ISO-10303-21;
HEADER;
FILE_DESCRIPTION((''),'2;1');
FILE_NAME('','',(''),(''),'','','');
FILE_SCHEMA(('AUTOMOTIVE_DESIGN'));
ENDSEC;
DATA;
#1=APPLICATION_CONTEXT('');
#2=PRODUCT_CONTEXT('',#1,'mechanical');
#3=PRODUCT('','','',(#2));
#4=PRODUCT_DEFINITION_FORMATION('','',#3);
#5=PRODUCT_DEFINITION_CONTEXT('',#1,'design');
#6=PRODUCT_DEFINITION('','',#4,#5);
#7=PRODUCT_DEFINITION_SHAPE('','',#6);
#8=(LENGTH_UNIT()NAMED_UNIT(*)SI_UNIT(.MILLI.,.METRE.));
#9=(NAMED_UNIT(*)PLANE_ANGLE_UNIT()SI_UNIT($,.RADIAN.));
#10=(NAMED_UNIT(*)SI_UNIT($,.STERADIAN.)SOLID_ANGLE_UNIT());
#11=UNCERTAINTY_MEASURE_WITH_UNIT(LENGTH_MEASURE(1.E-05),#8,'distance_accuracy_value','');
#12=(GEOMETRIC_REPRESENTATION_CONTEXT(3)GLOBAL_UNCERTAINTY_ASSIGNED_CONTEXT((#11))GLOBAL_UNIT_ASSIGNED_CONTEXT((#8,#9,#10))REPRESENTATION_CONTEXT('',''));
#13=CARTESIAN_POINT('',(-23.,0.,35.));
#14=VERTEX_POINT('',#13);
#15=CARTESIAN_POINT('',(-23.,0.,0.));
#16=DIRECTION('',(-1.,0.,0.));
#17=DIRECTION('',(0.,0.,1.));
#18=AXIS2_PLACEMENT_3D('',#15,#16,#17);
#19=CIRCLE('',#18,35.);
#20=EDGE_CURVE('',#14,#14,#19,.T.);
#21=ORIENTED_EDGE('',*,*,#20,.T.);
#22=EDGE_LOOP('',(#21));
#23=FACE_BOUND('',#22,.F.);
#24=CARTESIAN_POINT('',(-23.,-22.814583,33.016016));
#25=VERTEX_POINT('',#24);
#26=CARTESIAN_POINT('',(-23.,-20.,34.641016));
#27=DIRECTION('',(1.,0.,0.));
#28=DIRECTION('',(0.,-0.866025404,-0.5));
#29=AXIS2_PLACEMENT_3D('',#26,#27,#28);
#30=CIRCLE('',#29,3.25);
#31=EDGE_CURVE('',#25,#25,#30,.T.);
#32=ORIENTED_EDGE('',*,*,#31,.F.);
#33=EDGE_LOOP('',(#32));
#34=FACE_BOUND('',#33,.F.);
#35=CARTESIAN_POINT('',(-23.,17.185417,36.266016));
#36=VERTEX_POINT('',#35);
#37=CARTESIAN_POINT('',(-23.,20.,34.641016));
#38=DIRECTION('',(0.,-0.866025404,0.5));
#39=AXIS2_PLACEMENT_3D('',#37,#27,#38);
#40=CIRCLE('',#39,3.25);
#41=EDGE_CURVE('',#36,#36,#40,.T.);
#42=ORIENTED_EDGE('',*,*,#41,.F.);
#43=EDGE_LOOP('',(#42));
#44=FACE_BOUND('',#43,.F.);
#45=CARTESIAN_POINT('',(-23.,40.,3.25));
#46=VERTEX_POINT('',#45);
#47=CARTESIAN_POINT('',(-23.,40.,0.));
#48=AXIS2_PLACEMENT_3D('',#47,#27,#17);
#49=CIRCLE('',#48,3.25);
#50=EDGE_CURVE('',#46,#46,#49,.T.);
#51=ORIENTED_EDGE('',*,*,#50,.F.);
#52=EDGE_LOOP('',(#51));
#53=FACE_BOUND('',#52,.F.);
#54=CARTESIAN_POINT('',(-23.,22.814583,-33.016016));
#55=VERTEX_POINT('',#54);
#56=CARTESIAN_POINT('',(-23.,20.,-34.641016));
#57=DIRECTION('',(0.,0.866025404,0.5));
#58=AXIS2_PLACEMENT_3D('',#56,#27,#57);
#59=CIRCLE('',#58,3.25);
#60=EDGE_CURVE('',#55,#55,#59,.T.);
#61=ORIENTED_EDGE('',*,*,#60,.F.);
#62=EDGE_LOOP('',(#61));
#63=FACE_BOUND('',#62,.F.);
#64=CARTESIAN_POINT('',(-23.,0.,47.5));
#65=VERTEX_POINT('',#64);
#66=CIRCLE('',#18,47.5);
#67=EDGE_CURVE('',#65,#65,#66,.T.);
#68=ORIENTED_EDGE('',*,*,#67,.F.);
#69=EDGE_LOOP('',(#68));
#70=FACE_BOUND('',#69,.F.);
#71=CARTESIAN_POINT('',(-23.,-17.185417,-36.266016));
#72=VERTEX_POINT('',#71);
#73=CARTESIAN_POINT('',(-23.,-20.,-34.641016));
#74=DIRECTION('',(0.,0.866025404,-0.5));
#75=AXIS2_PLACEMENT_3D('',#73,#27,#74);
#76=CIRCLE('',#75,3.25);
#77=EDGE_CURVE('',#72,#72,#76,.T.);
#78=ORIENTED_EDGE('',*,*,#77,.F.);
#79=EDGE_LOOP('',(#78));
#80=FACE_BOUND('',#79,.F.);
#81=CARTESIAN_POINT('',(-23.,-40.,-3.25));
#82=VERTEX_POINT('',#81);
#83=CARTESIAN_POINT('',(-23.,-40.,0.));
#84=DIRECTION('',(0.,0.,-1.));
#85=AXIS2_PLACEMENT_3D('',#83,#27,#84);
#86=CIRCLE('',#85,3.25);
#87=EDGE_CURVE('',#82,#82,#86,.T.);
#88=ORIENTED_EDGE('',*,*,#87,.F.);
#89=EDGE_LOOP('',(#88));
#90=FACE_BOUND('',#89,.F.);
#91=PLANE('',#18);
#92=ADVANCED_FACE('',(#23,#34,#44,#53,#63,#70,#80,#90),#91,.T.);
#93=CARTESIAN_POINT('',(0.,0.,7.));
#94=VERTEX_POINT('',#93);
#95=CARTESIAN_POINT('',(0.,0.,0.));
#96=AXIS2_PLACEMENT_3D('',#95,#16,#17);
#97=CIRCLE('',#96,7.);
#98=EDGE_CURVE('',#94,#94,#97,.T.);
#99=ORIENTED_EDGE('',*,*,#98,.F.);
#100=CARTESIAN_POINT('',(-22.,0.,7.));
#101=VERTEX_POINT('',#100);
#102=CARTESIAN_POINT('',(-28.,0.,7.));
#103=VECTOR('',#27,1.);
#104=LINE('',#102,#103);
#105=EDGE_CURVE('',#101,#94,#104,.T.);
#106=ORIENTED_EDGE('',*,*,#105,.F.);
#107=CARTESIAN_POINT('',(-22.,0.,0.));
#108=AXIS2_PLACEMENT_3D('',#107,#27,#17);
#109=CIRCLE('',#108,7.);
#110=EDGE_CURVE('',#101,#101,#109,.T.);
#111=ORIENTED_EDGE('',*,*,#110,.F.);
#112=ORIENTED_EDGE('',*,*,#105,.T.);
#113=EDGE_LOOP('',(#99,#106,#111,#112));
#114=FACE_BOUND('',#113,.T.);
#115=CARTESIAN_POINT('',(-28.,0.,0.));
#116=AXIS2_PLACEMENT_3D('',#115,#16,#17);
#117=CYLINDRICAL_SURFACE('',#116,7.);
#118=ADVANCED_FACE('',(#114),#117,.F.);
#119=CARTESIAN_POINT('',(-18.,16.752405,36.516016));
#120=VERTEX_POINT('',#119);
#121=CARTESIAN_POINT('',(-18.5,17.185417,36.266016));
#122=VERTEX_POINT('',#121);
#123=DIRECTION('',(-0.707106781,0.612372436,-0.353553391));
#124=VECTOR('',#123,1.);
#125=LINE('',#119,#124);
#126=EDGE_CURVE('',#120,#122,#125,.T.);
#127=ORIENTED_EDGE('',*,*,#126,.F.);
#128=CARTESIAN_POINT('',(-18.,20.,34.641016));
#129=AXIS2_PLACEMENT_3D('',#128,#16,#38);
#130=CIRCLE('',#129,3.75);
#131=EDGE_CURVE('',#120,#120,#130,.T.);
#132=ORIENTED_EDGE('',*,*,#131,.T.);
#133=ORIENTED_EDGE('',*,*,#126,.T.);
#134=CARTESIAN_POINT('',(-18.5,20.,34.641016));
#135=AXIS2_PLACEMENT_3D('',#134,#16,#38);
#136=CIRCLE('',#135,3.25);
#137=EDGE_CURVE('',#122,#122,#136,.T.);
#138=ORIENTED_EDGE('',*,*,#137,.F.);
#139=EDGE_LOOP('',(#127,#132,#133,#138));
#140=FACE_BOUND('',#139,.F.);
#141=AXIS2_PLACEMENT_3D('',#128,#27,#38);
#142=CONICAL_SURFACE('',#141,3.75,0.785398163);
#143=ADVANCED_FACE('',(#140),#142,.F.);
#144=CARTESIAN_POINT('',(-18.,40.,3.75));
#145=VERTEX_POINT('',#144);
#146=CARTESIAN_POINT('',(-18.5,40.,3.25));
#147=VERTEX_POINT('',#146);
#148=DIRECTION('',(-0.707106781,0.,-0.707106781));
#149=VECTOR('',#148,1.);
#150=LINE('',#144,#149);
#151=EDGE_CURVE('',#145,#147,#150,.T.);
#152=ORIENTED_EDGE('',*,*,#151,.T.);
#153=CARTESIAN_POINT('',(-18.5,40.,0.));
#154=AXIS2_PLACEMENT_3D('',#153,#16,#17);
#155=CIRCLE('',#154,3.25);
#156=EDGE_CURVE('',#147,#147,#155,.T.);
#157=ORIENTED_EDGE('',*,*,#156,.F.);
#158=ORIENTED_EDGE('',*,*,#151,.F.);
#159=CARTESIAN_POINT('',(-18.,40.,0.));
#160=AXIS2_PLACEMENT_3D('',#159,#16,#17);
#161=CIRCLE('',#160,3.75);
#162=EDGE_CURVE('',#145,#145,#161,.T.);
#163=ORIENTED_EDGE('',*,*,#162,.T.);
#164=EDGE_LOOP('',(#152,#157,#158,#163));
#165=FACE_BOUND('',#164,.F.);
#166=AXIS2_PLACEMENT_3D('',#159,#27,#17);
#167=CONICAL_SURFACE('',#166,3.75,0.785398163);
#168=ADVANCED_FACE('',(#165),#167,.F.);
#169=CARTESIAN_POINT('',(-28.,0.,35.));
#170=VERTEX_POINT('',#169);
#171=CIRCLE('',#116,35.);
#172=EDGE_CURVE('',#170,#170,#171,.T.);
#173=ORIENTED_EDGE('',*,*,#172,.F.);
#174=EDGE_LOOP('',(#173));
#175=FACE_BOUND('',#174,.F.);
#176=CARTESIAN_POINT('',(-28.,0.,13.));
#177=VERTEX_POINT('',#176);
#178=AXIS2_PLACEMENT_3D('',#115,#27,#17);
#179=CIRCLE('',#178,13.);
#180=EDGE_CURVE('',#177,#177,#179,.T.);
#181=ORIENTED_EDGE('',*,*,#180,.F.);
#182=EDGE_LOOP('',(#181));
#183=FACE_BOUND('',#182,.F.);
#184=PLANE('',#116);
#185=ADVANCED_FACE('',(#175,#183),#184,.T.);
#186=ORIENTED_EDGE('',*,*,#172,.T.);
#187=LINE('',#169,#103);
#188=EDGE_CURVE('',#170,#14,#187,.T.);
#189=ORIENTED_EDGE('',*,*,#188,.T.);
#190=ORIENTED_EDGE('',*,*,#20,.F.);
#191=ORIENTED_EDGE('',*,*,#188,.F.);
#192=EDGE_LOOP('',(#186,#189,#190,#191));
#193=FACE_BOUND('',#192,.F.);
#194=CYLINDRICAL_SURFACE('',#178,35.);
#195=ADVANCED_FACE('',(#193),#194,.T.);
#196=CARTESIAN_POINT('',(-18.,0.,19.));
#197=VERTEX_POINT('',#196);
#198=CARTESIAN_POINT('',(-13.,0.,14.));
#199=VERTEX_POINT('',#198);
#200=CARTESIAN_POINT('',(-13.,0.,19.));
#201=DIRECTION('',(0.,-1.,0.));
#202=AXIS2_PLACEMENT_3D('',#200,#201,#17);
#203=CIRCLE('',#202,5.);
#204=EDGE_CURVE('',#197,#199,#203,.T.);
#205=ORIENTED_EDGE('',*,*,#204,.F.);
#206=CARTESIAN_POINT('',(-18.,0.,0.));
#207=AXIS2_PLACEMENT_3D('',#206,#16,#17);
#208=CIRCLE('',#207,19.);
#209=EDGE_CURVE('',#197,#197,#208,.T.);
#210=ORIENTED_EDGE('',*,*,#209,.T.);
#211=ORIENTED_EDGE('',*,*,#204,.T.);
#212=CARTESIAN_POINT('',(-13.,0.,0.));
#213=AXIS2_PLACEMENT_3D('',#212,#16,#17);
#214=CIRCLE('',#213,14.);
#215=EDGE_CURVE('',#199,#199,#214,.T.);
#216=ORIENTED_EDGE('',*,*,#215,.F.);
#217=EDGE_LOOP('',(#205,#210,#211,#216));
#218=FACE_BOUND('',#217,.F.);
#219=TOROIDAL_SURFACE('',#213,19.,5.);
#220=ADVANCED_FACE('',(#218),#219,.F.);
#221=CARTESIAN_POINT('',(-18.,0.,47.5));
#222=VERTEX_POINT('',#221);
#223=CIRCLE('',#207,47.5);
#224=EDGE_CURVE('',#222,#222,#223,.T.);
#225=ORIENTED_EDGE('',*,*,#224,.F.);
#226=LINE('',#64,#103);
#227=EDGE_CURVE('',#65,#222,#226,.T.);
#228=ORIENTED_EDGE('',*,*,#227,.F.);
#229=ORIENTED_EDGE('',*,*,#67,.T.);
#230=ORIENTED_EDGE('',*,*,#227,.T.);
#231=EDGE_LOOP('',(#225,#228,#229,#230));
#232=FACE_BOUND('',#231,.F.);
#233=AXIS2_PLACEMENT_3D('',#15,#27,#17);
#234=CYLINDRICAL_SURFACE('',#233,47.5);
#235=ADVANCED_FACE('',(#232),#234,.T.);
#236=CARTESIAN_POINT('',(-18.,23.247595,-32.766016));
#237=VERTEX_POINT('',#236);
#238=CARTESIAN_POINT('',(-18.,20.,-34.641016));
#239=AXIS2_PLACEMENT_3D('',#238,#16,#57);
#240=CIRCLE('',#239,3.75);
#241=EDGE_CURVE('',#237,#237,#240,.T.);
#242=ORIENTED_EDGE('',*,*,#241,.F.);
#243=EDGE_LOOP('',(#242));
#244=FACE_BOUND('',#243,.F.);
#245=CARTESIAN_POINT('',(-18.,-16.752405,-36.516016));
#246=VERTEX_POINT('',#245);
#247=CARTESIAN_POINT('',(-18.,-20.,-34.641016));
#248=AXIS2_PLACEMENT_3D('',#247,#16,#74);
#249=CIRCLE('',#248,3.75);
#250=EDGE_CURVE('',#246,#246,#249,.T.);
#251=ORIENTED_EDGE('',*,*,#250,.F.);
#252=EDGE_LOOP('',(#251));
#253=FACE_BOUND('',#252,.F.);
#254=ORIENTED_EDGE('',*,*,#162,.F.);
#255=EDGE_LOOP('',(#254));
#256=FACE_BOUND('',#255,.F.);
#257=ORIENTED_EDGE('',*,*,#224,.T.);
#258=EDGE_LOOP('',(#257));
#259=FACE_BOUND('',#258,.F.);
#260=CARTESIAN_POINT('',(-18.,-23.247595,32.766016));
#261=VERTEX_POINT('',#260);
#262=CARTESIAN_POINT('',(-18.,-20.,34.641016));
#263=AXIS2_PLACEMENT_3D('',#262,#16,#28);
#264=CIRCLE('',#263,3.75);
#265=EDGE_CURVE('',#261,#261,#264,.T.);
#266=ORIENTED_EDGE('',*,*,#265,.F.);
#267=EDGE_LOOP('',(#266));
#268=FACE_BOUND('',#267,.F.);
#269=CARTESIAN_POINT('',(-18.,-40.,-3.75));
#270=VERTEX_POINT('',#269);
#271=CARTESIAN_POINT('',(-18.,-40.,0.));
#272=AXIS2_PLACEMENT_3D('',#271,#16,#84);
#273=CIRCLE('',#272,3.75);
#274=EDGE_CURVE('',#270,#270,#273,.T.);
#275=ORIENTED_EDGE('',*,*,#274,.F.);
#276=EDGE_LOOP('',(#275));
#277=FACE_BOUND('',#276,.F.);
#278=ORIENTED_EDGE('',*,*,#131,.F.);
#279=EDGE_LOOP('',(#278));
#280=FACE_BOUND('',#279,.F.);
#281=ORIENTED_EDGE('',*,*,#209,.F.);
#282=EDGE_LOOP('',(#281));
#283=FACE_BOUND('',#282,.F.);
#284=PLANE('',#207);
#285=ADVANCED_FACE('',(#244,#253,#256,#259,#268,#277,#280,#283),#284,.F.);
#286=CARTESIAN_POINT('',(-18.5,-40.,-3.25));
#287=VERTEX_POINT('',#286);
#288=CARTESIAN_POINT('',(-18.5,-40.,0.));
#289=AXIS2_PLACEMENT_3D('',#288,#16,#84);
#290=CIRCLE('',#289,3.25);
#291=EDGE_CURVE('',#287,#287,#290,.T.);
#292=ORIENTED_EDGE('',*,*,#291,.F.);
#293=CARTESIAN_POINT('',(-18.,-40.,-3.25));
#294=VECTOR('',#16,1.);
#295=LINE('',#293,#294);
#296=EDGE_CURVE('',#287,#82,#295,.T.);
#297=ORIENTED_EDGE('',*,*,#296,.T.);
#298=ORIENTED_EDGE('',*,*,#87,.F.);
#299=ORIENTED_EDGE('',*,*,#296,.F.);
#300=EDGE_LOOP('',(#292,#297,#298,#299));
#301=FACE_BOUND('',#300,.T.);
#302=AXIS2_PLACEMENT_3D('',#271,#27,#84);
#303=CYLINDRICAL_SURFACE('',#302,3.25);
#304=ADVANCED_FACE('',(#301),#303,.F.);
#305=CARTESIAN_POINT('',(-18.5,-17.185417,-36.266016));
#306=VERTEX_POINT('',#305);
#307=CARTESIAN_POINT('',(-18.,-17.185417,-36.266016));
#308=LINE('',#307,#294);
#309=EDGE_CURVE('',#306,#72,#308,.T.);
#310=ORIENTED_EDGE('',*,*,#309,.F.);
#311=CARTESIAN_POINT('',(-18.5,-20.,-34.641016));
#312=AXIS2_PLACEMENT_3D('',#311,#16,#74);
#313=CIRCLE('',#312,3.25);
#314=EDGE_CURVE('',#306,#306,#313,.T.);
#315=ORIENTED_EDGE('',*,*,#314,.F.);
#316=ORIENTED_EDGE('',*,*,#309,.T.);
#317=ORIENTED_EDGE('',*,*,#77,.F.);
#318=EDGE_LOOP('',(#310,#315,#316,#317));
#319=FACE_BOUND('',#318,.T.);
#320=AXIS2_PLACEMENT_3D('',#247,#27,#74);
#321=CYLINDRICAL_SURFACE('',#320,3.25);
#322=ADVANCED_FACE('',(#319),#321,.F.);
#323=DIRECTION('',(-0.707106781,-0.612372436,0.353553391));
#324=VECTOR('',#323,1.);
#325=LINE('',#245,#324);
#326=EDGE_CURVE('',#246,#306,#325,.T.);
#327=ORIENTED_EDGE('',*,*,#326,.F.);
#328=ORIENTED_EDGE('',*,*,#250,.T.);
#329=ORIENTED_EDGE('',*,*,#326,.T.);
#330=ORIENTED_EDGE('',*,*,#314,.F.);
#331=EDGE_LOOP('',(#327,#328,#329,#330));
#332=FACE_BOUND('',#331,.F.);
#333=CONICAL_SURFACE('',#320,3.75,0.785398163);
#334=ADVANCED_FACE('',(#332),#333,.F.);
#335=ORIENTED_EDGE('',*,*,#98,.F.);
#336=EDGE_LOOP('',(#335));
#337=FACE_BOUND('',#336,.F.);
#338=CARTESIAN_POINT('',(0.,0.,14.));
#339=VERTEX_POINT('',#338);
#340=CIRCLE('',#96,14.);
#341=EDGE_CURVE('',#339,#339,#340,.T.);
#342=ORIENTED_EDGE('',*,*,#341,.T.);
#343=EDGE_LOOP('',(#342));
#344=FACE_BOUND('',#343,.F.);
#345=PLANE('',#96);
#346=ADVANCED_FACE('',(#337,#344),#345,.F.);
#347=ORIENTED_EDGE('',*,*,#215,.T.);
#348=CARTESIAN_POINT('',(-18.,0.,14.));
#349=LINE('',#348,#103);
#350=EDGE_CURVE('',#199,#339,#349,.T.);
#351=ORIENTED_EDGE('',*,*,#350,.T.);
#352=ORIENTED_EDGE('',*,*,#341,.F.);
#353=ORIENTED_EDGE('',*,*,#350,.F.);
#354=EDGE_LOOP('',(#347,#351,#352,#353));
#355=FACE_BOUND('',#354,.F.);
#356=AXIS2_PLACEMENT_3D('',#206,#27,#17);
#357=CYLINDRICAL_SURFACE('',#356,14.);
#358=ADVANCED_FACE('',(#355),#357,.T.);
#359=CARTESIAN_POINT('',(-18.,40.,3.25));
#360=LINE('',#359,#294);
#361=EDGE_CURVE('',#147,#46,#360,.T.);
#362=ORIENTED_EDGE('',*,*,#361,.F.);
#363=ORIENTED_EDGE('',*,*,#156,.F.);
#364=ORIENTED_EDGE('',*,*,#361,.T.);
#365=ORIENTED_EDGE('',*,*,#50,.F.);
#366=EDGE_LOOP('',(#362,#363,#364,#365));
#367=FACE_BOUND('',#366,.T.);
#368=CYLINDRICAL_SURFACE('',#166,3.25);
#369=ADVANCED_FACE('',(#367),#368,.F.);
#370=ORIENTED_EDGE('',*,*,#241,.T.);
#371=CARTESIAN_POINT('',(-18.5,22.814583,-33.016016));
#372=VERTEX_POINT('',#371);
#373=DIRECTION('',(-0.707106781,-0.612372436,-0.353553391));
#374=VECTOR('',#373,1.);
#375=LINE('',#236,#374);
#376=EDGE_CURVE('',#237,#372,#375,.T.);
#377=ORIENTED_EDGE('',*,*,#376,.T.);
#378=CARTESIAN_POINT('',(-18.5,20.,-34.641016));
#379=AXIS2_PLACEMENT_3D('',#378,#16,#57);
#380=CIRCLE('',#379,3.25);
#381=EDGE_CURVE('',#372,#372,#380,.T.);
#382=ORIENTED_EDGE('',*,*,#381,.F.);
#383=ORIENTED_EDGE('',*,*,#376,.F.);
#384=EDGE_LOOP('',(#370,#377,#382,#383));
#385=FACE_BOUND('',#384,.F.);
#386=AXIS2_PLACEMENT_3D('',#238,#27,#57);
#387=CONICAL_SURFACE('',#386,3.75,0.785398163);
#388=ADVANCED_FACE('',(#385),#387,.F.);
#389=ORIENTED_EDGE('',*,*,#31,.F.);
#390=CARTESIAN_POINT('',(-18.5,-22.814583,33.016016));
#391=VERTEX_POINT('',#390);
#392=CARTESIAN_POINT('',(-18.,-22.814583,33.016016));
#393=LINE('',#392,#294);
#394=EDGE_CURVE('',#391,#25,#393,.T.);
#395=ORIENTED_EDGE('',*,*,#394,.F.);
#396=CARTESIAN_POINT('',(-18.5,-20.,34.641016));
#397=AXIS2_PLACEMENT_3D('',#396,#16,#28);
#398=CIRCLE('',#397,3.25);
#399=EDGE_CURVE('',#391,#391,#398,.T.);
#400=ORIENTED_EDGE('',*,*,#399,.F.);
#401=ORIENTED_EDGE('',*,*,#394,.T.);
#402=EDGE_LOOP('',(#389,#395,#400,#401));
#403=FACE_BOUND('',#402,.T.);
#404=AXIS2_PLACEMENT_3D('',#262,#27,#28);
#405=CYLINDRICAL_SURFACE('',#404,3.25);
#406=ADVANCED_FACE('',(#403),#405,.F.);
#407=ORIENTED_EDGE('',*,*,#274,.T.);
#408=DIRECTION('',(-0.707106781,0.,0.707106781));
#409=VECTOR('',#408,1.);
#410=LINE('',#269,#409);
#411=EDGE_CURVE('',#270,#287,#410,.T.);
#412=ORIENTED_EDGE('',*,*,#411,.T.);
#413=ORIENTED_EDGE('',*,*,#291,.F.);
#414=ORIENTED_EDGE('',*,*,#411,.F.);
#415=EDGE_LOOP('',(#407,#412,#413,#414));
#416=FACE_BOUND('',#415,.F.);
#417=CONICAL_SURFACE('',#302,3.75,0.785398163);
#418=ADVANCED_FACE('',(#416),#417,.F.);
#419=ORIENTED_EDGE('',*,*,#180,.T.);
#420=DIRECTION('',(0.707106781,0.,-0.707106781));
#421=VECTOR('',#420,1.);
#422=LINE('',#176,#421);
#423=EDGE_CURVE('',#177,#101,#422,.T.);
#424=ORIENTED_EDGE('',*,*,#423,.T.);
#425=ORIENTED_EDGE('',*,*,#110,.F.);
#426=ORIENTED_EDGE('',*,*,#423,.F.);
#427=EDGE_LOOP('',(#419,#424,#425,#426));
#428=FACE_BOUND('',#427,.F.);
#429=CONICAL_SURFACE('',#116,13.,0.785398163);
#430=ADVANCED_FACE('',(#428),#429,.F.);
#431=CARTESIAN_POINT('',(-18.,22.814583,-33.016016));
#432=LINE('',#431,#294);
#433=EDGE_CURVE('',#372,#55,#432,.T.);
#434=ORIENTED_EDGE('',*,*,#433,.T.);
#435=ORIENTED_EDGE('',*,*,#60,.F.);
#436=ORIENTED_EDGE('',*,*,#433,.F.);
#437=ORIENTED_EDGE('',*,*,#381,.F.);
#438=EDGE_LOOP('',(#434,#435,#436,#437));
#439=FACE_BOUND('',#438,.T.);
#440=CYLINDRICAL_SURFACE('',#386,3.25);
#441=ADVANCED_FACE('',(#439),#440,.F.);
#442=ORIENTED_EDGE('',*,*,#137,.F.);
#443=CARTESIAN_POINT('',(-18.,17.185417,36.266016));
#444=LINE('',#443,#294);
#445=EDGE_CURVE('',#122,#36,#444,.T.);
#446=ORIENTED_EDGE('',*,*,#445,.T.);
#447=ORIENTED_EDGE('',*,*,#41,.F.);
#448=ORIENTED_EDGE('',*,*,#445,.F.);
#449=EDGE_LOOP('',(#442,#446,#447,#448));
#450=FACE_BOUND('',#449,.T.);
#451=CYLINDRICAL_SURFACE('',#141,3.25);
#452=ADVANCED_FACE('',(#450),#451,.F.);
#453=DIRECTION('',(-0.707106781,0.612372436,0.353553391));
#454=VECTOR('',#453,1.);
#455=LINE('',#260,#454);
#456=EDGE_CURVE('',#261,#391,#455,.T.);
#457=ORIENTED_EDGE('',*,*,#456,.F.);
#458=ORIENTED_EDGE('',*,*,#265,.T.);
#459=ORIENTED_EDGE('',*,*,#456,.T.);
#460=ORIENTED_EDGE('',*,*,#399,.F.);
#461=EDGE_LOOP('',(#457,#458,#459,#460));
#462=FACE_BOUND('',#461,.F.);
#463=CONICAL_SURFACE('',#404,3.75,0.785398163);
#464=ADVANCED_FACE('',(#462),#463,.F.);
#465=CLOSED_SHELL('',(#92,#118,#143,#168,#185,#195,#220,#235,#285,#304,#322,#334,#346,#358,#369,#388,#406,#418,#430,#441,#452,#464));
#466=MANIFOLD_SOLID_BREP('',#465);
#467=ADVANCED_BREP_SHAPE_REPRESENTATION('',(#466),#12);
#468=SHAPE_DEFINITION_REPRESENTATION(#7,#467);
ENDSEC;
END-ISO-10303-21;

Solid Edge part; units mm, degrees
sketch "Sketch1" plane through (0, 0, 0) normal (0, -1, 0) x (1, 0, 0)
  line L0 (-18, 47.5) -> (-18, 14)
  line L1 (-18, 14) -> (0, 14)
  line L2 (0, 14) -> (0, 0)
  line L3 (0, 0) -> (-28, 0)
  line L4 (-28, 0) -> (-28, 35)
  line L5 (-28, 35) -> (-23, 35)
  line L6 (-23, 35) -> (-23, 47.5)
  line L7 (-23, 47.5) -> (-18, 47.5)
revolve "RevolvedProtrusion1" add sketch "Sketch1" angle 360 about axis through (0, 0, 0) along (-1, 0, 0)
fillet "Round1" radius 5 1 edges at (-18, 0, -14)
hole "Hole_1" at (-28, 0, 0) direction (1, 0, 0) diameter 14 end up to next countersink diameter 26 countersink angle 90
hole "Hole_2" at (-18, -40, 0) direction (-1, 0, 0) diameter 6.5 end through all countersink diameter 7.5 countersink angle 90
pattern_circular "Pattern1" count 6 over 360 about axis through (-18, 0, 0) along (-1, 0, 0) of "Hole_2"
properties material "PVC"
